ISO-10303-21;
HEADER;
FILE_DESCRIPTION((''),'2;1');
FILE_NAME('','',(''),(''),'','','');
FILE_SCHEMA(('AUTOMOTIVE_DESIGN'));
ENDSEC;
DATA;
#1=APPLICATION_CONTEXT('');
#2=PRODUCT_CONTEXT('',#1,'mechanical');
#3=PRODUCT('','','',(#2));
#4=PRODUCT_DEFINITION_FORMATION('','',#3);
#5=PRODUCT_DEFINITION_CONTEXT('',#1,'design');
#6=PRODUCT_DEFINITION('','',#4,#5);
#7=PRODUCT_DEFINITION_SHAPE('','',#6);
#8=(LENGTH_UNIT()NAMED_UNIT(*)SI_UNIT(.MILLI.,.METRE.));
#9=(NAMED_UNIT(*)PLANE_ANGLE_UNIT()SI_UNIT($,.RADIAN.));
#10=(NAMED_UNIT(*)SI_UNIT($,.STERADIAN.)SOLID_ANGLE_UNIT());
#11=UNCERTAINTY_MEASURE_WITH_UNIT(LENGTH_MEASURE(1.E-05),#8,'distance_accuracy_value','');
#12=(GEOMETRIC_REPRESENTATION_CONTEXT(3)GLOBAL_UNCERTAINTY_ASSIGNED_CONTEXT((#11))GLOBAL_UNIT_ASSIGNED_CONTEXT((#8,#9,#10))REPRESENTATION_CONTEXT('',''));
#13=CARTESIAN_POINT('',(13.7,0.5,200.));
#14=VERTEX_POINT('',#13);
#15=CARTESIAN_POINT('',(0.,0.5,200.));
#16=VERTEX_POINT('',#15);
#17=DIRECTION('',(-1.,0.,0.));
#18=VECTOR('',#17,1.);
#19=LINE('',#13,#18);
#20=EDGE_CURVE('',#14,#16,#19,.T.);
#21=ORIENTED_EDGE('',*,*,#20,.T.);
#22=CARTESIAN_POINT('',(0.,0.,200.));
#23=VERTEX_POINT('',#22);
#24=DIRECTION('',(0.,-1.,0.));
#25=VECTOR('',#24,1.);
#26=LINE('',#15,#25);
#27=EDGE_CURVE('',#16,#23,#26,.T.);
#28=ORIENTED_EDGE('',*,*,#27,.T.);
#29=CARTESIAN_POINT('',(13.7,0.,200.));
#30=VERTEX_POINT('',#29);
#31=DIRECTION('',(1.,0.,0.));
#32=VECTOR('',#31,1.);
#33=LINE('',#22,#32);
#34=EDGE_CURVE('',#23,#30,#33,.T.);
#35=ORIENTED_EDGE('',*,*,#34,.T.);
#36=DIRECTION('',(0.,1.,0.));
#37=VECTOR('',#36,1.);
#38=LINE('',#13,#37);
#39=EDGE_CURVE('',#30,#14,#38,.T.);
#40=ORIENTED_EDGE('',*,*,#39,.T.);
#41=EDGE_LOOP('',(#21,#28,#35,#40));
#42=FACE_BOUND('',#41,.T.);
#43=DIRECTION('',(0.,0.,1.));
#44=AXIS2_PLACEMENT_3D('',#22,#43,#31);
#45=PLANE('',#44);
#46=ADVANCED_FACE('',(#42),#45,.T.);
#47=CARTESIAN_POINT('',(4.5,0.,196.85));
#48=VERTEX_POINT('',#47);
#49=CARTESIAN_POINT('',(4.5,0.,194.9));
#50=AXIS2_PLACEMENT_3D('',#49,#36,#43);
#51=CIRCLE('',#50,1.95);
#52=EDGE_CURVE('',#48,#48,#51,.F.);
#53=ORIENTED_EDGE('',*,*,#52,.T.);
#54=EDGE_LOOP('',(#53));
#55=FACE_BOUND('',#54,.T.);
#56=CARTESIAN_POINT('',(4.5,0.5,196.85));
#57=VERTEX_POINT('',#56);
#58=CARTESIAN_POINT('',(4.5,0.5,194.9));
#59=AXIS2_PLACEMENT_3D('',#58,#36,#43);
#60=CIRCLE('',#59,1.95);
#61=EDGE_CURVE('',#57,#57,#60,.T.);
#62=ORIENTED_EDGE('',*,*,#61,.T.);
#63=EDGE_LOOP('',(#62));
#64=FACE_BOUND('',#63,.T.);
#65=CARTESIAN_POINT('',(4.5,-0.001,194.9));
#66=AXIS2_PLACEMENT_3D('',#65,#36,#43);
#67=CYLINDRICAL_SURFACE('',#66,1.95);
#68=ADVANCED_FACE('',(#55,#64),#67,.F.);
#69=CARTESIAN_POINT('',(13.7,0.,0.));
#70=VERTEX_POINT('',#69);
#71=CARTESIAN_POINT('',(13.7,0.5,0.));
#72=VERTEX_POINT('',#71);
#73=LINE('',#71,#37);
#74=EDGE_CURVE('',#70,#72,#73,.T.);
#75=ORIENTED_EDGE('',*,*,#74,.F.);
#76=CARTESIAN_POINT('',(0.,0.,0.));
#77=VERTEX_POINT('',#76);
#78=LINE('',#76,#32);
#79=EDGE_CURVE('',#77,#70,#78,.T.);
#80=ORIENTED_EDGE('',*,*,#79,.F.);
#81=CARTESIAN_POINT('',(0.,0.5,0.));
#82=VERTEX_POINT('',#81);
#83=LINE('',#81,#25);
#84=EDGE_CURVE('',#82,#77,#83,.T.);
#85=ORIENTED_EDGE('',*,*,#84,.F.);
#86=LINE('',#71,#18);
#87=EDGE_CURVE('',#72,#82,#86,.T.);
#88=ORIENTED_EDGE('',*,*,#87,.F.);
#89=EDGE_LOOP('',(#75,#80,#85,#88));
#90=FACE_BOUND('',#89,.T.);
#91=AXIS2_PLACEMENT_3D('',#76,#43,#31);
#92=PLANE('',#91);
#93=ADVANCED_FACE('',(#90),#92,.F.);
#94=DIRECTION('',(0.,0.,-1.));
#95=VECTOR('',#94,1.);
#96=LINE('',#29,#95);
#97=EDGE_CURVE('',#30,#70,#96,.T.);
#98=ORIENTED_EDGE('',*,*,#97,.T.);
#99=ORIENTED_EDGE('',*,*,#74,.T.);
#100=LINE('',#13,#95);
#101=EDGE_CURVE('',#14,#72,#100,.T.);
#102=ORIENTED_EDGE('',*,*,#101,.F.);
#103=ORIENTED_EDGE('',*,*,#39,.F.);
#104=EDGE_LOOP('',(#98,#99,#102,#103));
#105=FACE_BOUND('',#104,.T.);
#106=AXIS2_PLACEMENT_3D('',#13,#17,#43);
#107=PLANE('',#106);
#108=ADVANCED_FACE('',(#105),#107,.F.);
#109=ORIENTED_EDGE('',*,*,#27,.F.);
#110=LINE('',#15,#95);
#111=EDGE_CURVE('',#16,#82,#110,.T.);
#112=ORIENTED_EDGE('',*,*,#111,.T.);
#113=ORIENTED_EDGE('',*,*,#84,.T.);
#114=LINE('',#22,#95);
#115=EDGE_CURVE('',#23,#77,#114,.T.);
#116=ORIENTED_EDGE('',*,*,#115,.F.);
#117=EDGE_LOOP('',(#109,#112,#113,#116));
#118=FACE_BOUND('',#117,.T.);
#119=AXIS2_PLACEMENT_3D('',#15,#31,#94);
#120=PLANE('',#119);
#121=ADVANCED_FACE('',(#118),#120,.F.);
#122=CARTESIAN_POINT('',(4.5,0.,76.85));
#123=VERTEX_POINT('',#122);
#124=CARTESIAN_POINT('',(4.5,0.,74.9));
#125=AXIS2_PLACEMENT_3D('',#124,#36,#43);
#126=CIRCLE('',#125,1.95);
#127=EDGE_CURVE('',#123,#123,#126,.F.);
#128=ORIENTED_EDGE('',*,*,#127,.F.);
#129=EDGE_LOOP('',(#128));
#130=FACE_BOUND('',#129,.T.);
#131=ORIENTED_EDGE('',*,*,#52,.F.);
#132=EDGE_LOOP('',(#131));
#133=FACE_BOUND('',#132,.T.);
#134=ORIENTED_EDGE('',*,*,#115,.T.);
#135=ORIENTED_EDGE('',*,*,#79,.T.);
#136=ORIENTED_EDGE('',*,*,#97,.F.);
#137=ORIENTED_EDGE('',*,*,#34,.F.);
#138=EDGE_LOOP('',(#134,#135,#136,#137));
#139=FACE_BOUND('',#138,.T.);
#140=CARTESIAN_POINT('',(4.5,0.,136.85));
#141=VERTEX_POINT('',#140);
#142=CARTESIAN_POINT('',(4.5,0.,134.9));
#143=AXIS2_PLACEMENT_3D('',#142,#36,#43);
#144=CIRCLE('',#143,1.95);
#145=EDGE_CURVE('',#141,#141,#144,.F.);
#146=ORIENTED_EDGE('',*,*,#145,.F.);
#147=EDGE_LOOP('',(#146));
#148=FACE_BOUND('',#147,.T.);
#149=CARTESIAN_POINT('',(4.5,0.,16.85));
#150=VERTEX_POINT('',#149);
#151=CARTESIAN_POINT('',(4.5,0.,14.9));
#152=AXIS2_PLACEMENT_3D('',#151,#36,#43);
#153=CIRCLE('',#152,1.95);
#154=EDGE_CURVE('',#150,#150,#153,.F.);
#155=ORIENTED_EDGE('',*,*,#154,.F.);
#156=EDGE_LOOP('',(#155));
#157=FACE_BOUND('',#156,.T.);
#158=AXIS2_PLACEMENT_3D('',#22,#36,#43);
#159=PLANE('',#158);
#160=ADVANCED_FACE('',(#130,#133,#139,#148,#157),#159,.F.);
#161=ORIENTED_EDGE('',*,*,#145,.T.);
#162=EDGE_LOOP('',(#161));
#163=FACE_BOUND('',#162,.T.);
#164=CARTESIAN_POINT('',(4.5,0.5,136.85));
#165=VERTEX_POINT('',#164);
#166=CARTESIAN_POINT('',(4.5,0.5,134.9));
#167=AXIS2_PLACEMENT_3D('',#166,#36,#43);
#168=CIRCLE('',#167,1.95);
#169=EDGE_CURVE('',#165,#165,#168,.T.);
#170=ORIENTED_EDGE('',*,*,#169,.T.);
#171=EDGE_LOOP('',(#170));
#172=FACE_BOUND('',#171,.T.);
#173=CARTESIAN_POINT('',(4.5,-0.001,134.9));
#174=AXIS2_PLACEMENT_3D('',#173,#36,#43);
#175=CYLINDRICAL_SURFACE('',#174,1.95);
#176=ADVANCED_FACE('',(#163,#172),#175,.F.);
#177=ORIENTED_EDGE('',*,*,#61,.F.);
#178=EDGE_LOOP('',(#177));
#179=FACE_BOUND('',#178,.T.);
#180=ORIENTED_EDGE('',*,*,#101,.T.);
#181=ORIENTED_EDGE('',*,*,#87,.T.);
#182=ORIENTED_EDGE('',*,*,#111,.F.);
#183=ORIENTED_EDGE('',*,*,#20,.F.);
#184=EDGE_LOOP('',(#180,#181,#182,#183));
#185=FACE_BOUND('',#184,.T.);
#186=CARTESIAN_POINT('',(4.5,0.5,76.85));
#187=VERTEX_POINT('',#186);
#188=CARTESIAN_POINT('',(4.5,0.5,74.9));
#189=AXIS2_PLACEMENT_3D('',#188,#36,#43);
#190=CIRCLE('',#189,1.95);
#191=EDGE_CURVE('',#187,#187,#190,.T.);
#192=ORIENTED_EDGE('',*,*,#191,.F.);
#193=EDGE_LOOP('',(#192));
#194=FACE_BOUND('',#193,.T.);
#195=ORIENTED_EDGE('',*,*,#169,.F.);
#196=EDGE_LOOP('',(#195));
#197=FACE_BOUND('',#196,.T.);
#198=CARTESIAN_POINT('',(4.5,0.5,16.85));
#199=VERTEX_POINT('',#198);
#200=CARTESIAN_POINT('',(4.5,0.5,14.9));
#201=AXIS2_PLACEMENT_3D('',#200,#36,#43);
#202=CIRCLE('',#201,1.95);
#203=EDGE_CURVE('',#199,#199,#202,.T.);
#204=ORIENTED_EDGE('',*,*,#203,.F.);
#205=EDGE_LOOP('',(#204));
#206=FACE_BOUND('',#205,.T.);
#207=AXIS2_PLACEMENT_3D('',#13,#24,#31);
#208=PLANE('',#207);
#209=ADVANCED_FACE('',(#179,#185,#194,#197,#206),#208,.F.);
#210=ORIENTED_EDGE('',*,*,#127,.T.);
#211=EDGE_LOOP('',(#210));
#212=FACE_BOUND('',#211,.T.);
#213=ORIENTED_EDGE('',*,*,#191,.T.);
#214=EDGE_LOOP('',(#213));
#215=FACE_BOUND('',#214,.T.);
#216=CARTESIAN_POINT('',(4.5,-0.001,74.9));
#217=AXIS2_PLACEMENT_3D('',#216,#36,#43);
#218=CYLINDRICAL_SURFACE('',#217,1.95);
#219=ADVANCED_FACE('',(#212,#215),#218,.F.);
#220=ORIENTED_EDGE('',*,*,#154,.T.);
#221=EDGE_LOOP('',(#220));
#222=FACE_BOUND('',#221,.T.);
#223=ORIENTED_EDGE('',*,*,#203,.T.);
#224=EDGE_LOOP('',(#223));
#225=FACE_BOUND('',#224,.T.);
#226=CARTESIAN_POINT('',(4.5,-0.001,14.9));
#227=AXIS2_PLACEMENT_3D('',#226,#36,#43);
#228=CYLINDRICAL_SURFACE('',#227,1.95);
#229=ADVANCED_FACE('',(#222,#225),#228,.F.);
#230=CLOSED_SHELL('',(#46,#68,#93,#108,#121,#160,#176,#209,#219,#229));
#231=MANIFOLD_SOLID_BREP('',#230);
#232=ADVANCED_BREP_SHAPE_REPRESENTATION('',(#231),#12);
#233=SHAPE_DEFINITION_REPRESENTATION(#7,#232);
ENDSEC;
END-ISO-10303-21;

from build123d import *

# Parameters (mm, degrees)
ESQUISSE1_W             = 13.7
ESQUISSE1_H             = 0.5
BOSS_EXTRU_1_DEPTH      = 200
ENL_V_MAT_EXTRU_1_REACH = 202.469
ESQUISSE2_R             = 1.95


with BuildPart() as part:
    # Esquisse1 → Boss.-Extru.1 (new body)
    with BuildSketch(Plane.XY):
        with Locations((6.85, 0.25)):
            Rectangle(ESQUISSE1_W, ESQUISSE1_H)
    extrude(amount=BOSS_EXTRU_1_DEPTH)

    # Esquisse2 → Enlèv. mat.-Extru.1 (cut, up to next)
    with BuildSketch(Plane(origin=(0, 0.5, 0), x_dir=(1, 0, 0), z_dir=(0, 1, 0)), mode=Mode.PRIVATE) as enl_v_mat_extru_1_sk1:
        with Locations(Location((4.5, -14.9, 0), (0, 0, 270))):
            Circle(ESQUISSE2_R)
    enl_v_mat_extru_1_tool1 = extrude(enl_v_mat_extru_1_sk1.sketch, amount=-ENL_V_MAT_EXTRU_1_REACH, mode=Mode.PRIVATE) & part.part
    # Esquisse2 → Enlèv. mat.-Extru.1 (cut, up to next)
    with BuildSketch(Plane(origin=(0, 0.5, 0), x_dir=(1, 0, 0), z_dir=(0, 1, 0)), mode=Mode.PRIVATE) as enl_v_mat_extru_1_sk2:
        with Locations(Location((4.5, -74.9, 0), (0, 0, 270))):
            Circle(ESQUISSE2_R)
    enl_v_mat_extru_1_tool2 = extrude(enl_v_mat_extru_1_sk2.sketch, amount=-ENL_V_MAT_EXTRU_1_REACH, mode=Mode.PRIVATE) & part.part
    # Esquisse2 → Enlèv. mat.-Extru.1 (cut, up to next)
    with BuildSketch(Plane(origin=(0, 0.5, 0), x_dir=(1, 0, 0), z_dir=(0, 1, 0)), mode=Mode.PRIVATE) as enl_v_mat_extru_1_sk3:
        with Locations(Location((4.5, -134.9, 0), (0, 0, 270))):
            Circle(ESQUISSE2_R)
    enl_v_mat_extru_1_tool3 = extrude(enl_v_mat_extru_1_sk3.sketch, amount=-ENL_V_MAT_EXTRU_1_REACH, mode=Mode.PRIVATE) & part.part
    # Esquisse2 → Enlèv. mat.-Extru.1 (cut, up to next)
    with BuildSketch(Plane(origin=(0, 0.5, 0), x_dir=(1, 0, 0), z_dir=(0, 1, 0)), mode=Mode.PRIVATE) as enl_v_mat_extru_1_sk4:
        with Locations(Location((4.5, -194.9, 0), (0, 0, 270))):
            Circle(ESQUISSE2_R)
    enl_v_mat_extru_1_tool4 = extrude(enl_v_mat_extru_1_sk4.sketch, amount=-ENL_V_MAT_EXTRU_1_REACH, mode=Mode.PRIVATE) & part.part
    add(enl_v_mat_extru_1_tool1.solids().sort_by_distance((4.5, 0.5, 14.9))[0], mode=Mode.SUBTRACT)
    add(enl_v_mat_extru_1_tool2.solids().sort_by_distance((4.5, 0.5, 74.9))[0], mode=Mode.SUBTRACT)
    add(enl_v_mat_extru_1_tool3.solids().sort_by_distance((4.5, 0.5, 134.9))[0], mode=Mode.SUBTRACT)
    add(enl_v_mat_extru_1_tool4.solids().sort_by_distance((4.5, 0.5, 194.9))[0], mode=Mode.SUBTRACT)


solid = part.part
